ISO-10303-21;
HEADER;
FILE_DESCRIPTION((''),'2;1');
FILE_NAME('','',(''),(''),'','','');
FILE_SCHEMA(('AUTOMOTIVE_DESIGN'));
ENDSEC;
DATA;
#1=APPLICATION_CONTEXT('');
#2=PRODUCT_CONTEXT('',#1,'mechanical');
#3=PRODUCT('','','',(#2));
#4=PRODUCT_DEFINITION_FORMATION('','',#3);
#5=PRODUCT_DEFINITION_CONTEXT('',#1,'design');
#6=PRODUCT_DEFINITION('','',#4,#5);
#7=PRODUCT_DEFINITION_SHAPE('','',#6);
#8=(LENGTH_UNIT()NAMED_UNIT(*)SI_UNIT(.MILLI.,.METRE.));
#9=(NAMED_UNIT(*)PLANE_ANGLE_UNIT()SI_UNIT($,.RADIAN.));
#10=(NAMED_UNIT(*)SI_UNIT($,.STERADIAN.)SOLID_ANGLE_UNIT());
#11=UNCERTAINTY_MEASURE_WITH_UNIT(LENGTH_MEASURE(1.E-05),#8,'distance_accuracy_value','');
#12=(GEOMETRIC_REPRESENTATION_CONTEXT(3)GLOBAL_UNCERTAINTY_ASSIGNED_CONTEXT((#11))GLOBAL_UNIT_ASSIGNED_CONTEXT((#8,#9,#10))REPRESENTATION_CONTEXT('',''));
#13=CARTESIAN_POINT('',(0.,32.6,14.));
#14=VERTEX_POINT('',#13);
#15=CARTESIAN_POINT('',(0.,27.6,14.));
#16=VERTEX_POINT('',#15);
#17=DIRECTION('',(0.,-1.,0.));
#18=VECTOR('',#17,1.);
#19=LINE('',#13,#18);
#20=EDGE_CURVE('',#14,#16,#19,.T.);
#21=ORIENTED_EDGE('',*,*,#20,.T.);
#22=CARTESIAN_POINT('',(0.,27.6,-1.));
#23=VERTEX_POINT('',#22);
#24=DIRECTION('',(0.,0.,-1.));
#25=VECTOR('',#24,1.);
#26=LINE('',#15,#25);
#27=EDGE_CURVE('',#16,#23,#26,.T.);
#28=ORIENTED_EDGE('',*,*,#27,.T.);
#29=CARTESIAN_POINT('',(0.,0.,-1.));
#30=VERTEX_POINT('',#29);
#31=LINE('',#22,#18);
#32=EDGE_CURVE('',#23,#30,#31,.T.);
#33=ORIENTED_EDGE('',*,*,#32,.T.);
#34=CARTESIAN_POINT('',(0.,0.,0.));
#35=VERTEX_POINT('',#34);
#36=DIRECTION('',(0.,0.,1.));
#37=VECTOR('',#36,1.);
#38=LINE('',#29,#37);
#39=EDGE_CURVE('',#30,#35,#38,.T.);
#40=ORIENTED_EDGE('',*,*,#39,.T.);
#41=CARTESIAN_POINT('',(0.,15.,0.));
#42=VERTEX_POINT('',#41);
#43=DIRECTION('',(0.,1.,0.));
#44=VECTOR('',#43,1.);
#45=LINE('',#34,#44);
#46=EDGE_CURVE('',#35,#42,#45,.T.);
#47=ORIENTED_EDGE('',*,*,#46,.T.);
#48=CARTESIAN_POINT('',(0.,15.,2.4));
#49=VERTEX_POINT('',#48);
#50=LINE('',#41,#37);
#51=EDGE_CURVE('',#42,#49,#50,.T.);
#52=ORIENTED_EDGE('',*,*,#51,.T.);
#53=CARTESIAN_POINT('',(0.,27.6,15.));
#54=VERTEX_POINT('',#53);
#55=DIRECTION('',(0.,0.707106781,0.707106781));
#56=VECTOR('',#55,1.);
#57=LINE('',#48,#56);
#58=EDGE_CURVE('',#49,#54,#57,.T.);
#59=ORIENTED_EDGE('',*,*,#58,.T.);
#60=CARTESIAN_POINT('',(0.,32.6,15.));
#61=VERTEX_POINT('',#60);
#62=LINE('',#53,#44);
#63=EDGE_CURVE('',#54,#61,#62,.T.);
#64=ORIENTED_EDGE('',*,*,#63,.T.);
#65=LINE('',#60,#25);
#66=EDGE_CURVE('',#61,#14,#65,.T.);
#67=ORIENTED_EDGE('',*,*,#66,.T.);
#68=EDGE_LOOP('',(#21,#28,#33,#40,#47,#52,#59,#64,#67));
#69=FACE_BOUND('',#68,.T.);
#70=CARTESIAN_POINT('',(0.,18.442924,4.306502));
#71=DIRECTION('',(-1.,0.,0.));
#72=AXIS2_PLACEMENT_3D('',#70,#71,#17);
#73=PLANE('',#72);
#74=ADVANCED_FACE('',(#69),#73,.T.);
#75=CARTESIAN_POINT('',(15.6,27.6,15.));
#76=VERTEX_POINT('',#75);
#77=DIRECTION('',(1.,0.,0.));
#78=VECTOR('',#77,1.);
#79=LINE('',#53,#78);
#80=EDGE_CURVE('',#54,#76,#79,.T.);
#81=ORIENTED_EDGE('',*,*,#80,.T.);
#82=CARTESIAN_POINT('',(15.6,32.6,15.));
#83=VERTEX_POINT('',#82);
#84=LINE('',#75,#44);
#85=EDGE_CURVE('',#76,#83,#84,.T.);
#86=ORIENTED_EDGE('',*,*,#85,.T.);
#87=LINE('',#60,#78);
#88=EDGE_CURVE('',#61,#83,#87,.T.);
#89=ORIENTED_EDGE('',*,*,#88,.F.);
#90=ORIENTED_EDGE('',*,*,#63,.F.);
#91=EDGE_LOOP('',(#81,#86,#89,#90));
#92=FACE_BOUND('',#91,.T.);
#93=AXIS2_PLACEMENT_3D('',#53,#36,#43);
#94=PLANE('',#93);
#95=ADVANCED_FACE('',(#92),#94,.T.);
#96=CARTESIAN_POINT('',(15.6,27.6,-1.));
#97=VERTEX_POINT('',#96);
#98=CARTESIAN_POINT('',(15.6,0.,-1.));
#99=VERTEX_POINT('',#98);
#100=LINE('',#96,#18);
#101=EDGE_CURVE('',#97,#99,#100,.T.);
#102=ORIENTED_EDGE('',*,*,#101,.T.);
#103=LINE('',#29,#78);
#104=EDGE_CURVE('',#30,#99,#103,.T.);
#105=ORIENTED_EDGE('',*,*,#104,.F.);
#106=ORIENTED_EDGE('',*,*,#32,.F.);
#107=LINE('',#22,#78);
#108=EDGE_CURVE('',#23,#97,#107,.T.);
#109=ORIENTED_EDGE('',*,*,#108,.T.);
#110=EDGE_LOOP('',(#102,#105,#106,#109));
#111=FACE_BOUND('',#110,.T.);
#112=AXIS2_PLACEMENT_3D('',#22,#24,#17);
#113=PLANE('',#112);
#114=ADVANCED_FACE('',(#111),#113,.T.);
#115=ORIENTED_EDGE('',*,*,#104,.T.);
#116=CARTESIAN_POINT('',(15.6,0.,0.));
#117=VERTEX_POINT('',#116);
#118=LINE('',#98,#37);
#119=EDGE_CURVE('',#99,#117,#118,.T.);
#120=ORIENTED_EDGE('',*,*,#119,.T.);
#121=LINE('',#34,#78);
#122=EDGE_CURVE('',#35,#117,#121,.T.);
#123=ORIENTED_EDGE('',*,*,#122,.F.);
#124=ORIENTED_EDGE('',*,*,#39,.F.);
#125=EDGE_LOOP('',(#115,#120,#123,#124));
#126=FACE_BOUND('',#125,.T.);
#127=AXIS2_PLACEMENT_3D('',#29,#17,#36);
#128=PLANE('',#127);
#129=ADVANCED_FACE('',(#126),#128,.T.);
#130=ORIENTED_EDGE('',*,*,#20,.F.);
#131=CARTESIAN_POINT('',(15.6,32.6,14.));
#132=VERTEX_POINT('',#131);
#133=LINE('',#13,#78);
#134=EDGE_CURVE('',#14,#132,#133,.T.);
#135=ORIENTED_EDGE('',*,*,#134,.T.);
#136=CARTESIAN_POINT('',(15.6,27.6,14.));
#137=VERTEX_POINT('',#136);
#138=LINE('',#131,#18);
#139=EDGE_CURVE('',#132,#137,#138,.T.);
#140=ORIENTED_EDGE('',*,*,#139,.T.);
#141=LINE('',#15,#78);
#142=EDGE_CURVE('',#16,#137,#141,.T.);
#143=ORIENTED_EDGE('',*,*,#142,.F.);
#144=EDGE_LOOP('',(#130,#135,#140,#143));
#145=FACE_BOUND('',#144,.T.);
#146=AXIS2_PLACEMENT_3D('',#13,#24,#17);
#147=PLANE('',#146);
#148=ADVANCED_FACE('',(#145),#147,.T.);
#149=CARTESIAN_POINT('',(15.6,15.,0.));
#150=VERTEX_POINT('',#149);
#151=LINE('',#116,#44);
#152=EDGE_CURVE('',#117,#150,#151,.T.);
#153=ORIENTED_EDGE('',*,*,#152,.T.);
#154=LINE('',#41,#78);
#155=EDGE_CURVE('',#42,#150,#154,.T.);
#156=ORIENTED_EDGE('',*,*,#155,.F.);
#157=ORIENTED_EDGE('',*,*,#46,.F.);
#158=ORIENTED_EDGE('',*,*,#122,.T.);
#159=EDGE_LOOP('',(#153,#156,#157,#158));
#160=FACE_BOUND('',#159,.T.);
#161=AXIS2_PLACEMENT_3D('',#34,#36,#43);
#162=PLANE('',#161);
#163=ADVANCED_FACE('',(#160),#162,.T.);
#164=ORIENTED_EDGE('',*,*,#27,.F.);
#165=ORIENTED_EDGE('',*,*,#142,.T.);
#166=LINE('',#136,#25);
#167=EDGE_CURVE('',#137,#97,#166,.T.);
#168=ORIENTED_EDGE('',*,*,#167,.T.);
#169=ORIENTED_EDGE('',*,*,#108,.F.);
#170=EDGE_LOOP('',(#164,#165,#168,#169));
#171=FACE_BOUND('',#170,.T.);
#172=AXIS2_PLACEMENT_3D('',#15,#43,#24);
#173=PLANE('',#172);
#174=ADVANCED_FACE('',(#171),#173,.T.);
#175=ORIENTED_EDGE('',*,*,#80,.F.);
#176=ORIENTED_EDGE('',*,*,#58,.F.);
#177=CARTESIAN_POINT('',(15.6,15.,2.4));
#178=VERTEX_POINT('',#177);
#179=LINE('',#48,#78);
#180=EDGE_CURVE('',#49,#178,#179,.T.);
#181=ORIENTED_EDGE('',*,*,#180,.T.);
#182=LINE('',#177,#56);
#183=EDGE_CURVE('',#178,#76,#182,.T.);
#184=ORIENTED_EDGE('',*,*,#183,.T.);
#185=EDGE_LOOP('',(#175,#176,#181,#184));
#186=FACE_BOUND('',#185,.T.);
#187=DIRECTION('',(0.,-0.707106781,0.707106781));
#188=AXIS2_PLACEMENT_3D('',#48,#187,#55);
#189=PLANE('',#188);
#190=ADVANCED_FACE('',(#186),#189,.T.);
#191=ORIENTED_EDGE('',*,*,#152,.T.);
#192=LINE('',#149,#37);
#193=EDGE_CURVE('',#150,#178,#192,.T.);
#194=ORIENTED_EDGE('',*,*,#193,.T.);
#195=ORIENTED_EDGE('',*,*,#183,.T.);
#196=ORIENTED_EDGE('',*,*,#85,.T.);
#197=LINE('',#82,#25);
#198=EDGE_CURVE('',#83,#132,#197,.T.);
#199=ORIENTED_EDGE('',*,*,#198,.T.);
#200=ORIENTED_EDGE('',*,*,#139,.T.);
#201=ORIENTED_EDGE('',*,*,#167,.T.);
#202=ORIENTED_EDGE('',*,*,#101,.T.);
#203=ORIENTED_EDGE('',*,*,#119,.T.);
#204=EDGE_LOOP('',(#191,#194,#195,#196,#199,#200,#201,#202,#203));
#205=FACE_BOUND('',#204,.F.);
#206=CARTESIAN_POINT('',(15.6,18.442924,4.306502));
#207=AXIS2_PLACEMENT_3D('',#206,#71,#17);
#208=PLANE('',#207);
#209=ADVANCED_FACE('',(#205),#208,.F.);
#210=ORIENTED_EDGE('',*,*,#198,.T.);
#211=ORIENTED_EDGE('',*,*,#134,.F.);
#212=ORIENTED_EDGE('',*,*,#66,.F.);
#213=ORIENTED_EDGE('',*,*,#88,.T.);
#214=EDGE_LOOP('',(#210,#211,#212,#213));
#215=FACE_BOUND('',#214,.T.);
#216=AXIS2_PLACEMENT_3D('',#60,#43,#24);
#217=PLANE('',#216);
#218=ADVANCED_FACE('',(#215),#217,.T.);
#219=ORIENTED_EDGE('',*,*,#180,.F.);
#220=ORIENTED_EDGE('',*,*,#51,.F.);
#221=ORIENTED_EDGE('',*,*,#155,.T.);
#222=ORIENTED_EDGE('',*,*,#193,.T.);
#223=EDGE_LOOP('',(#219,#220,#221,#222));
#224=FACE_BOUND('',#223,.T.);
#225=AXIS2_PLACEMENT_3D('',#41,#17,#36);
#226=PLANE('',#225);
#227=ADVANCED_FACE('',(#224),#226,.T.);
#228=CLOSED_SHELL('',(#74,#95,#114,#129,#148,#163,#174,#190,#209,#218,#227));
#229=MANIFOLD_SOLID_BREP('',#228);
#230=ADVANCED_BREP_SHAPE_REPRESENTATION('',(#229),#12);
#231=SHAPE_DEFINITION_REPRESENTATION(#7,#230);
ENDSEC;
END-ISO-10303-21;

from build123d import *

# Parameters (mm, degrees)
EXTRUDE_DEPTH = 15.6


with BuildPart() as part:
    # Sketch → Extrude (new body)
    with BuildSketch(Plane.YZ):
        Polygon((0, 0), (15, 0), (15, 2.4), (27.6, 15), (32.6, 15), (32.6, 14), (27.6, 14), (27.6, -1), (0, -1), align=None)
    extrude(amount=EXTRUDE_DEPTH)


solid = part.part
